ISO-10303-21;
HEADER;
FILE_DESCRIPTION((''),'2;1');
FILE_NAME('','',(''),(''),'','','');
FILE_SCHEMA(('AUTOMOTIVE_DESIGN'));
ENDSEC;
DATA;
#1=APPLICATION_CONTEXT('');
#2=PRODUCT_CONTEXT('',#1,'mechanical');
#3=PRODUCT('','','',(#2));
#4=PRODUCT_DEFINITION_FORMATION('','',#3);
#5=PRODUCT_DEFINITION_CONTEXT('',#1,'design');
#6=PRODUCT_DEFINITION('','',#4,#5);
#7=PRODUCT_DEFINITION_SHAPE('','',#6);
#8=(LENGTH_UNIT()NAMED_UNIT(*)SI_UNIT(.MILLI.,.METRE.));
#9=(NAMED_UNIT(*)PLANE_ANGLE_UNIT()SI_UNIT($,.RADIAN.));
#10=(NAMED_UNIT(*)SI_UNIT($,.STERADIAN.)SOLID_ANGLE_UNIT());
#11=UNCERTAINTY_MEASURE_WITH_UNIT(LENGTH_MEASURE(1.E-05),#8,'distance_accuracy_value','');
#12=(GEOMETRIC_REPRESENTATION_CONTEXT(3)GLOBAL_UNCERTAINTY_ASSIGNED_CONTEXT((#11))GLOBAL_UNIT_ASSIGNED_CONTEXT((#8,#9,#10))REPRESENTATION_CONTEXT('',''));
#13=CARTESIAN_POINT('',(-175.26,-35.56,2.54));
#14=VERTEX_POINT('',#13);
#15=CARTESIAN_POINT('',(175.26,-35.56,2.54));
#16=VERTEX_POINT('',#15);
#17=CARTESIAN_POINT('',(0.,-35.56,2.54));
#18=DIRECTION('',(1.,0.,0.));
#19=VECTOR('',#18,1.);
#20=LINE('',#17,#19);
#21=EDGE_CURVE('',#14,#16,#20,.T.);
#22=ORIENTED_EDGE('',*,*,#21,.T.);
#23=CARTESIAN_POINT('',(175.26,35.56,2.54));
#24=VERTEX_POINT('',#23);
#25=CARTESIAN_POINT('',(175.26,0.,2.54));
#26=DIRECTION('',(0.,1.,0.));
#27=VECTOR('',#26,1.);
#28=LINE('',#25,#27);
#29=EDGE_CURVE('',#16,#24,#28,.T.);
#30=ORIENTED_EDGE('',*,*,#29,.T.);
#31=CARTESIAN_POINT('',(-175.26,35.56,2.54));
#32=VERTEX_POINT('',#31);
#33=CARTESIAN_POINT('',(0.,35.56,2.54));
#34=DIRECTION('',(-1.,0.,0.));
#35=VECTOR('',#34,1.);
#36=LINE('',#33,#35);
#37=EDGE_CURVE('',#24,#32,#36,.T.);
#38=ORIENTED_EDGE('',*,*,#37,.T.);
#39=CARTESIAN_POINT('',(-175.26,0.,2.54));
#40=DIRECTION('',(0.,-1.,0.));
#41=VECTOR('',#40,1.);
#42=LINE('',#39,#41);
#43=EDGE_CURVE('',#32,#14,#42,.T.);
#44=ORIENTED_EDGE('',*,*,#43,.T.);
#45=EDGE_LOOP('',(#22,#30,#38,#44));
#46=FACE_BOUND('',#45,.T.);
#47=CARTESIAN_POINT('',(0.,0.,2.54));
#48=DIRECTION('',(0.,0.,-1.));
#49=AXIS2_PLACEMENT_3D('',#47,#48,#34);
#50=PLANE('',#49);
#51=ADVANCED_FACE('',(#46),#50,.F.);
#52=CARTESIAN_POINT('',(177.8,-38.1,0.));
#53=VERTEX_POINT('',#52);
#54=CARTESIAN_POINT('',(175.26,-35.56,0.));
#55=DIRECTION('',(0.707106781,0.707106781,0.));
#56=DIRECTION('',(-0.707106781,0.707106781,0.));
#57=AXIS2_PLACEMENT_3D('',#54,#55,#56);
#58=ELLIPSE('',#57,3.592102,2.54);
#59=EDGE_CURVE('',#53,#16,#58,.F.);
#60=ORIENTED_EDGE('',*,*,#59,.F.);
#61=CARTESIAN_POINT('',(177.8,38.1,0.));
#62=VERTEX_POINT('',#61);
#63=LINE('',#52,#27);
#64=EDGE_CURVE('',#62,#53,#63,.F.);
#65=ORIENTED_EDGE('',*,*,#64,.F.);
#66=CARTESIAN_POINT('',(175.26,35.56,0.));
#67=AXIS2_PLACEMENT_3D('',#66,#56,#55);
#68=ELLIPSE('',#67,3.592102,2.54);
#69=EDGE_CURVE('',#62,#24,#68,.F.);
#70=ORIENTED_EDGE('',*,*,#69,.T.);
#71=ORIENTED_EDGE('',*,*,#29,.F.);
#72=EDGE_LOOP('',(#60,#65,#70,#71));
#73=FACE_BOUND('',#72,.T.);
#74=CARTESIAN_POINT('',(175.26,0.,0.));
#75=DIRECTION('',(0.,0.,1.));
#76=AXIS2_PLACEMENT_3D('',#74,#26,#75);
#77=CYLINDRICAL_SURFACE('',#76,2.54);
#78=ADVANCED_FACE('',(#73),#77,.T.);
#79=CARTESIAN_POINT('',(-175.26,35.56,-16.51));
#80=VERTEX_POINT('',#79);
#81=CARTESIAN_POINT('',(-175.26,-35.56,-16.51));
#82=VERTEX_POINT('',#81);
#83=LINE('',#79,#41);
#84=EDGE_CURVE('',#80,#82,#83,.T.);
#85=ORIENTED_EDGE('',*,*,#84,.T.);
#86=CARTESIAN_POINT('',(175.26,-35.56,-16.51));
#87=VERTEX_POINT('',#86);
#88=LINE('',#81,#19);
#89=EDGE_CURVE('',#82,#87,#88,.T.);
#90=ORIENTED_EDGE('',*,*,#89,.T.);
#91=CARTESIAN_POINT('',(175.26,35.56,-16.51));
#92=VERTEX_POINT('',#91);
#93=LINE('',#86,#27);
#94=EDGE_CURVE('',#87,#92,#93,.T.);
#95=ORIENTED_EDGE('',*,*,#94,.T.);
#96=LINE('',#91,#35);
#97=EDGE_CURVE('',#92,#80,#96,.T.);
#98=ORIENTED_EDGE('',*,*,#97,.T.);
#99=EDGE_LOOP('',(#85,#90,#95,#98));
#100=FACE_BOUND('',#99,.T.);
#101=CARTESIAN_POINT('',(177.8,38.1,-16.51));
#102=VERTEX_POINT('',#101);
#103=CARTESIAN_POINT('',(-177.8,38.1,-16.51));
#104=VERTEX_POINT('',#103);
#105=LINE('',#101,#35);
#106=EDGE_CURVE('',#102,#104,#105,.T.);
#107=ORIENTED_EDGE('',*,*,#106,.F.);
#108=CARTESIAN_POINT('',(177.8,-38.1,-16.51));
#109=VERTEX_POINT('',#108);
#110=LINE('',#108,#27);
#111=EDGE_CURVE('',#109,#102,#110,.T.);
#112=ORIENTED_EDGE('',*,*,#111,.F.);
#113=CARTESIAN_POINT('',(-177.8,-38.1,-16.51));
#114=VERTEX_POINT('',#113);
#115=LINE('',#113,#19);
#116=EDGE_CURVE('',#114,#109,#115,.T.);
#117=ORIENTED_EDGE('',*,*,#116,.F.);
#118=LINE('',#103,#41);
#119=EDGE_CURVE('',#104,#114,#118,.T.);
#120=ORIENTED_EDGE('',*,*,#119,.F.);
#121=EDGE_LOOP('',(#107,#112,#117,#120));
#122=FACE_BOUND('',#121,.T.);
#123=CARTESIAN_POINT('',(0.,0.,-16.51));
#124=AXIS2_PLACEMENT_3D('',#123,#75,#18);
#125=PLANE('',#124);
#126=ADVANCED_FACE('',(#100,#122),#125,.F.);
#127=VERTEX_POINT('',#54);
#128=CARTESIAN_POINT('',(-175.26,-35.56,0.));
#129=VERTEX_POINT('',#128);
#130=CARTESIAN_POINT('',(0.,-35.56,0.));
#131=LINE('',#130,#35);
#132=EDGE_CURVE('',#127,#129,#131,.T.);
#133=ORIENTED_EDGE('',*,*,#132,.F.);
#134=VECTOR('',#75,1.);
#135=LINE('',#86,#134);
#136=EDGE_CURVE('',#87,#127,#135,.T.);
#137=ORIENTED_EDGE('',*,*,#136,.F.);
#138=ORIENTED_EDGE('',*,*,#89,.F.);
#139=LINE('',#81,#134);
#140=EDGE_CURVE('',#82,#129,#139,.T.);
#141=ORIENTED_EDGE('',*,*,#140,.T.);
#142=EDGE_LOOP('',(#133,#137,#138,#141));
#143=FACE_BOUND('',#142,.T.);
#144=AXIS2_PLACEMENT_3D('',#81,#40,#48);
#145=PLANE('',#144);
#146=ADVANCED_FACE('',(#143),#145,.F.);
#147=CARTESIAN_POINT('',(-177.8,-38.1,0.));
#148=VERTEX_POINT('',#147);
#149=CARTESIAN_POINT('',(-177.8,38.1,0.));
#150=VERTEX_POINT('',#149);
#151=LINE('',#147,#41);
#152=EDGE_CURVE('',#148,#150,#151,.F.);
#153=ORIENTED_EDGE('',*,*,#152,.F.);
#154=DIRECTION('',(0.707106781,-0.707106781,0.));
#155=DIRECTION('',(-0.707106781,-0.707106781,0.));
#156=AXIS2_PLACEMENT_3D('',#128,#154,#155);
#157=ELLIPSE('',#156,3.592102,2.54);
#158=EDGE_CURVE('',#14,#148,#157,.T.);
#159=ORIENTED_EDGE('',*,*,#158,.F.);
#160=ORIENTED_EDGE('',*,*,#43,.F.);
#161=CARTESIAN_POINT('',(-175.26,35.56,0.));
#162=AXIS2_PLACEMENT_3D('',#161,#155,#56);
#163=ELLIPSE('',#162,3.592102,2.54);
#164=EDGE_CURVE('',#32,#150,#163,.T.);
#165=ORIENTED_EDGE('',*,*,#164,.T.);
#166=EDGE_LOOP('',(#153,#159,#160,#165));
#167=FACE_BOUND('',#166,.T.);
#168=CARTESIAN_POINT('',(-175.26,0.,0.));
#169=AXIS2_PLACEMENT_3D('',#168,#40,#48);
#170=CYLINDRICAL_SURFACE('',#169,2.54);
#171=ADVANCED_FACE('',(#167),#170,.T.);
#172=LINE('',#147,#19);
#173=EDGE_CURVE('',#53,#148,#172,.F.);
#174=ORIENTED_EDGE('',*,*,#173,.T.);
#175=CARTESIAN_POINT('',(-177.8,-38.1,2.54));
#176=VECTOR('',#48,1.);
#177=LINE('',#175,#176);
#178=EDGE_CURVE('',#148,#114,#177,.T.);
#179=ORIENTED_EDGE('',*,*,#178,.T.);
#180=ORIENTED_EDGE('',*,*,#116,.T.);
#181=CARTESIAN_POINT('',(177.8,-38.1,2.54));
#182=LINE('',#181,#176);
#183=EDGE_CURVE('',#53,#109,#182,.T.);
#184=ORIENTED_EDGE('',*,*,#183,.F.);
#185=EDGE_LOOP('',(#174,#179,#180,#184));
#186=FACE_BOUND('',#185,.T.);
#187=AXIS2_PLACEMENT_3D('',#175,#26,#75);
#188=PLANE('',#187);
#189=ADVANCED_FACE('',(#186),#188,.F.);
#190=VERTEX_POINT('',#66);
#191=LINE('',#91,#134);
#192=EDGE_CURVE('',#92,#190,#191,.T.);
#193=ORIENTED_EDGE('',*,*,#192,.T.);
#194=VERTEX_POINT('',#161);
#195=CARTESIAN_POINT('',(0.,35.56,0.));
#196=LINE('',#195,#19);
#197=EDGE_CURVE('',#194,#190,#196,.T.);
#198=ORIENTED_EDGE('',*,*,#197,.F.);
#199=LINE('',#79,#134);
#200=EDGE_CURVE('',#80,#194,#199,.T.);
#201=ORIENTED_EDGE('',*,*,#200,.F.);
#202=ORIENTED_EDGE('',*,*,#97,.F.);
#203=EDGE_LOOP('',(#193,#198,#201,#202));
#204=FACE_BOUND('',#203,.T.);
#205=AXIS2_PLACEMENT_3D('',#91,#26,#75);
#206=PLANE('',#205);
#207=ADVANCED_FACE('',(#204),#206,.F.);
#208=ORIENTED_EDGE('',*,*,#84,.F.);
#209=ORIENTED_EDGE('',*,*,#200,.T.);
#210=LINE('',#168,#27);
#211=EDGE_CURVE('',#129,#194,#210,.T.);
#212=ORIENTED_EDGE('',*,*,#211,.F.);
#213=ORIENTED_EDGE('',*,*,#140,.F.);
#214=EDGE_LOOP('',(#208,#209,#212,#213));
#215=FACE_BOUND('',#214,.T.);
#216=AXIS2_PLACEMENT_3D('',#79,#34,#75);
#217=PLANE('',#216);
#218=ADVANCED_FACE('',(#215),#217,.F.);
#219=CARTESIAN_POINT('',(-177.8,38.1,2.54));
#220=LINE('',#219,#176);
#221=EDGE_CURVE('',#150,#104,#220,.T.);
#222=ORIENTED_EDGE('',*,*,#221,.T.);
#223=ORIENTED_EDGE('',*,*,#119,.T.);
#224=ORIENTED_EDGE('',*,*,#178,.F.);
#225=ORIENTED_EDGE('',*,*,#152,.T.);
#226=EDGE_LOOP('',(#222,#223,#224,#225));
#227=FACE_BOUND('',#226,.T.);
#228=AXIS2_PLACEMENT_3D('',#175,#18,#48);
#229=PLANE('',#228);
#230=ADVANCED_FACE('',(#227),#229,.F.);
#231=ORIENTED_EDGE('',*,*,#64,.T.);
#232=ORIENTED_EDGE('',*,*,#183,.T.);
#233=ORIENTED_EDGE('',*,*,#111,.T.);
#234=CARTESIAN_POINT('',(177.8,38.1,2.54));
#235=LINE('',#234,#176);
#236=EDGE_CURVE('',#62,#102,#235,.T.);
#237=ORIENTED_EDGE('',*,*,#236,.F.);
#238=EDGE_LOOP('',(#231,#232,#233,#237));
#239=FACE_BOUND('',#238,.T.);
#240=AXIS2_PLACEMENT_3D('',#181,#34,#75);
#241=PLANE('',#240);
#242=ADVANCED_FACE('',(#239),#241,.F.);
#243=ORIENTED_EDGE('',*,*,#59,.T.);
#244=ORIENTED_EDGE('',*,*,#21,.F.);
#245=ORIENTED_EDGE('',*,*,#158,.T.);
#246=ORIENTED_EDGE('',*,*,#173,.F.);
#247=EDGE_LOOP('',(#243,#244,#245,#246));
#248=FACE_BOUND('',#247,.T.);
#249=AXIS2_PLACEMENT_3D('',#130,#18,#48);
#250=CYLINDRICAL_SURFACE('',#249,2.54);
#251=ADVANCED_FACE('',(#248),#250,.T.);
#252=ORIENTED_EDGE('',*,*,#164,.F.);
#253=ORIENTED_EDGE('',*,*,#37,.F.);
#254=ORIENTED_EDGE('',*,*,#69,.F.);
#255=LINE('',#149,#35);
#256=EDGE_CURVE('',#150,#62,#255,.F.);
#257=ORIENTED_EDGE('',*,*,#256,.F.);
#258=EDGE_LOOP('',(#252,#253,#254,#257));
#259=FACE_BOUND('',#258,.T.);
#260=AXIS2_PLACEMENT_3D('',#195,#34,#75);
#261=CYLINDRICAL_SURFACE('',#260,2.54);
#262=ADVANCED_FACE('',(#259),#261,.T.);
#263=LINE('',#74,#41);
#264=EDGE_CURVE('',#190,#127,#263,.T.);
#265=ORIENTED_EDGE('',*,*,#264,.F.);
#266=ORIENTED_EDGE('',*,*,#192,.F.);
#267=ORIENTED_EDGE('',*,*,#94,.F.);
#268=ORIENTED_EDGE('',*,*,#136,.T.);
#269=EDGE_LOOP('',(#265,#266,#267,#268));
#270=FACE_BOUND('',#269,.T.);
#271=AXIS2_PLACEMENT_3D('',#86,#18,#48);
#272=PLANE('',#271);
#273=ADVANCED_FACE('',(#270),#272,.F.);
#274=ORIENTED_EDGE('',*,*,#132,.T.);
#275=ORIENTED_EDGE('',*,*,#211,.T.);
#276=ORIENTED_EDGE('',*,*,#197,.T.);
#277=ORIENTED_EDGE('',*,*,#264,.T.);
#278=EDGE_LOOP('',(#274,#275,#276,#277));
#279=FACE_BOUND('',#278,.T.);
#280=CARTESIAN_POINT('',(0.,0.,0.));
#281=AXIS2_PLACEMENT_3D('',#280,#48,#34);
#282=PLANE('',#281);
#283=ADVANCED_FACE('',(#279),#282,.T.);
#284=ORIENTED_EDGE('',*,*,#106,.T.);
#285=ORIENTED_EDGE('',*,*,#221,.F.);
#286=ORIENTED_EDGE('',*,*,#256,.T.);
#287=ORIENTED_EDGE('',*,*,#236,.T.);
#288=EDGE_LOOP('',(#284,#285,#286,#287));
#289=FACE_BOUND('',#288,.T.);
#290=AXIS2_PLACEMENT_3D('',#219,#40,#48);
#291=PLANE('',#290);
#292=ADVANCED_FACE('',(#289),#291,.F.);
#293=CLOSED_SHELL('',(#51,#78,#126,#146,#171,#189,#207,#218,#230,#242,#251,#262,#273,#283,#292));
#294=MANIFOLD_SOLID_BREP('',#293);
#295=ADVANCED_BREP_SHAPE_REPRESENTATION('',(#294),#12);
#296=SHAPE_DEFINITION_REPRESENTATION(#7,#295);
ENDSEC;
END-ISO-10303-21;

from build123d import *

# Parameters (mm, degrees)
SKETCH1_W           = 355.6
SKETCH1_H           = 76.2
BOSS_EXTRUDE1_DEPTH = 2.54
SKETCH2_W           = 355.6
SKETCH2_H           = 76.2
SKETCH2_W_2         = 350.52
SKETCH2_H_2         = 71.12
BOSS_EXTRUDE2_DEPTH = 19.05
FILLET1_R           = 2.54


with BuildPart() as part:
    # Sketch1 → Boss-Extrude1 (new body)
    with BuildSketch(Plane.XY):
        Rectangle(SKETCH1_W, SKETCH1_H)
    extrude(amount=BOSS_EXTRUDE1_DEPTH)

    # Sketch2 → Boss-Extrude2 (add)
    with BuildSketch(Plane.XY.offset(2.54)):
        Rectangle(SKETCH2_W, SKETCH2_H)
        Rectangle(SKETCH2_W_2, SKETCH2_H_2, mode=Mode.SUBTRACT)
    extrude(amount=-BOSS_EXTRUDE2_DEPTH)

    # Fillet1
    fillet1_edges = [part.edges().sort_by_distance(p)[0] for p in [
        (-177.8, 0, 2.54),
        (0, -38.1, 2.54),
        (177.8, 0, 2.54),
        (0, 38.1, 2.54),
    ]]
    fillet(fillet1_edges, radius=FILLET1_R)


solid = part.part
